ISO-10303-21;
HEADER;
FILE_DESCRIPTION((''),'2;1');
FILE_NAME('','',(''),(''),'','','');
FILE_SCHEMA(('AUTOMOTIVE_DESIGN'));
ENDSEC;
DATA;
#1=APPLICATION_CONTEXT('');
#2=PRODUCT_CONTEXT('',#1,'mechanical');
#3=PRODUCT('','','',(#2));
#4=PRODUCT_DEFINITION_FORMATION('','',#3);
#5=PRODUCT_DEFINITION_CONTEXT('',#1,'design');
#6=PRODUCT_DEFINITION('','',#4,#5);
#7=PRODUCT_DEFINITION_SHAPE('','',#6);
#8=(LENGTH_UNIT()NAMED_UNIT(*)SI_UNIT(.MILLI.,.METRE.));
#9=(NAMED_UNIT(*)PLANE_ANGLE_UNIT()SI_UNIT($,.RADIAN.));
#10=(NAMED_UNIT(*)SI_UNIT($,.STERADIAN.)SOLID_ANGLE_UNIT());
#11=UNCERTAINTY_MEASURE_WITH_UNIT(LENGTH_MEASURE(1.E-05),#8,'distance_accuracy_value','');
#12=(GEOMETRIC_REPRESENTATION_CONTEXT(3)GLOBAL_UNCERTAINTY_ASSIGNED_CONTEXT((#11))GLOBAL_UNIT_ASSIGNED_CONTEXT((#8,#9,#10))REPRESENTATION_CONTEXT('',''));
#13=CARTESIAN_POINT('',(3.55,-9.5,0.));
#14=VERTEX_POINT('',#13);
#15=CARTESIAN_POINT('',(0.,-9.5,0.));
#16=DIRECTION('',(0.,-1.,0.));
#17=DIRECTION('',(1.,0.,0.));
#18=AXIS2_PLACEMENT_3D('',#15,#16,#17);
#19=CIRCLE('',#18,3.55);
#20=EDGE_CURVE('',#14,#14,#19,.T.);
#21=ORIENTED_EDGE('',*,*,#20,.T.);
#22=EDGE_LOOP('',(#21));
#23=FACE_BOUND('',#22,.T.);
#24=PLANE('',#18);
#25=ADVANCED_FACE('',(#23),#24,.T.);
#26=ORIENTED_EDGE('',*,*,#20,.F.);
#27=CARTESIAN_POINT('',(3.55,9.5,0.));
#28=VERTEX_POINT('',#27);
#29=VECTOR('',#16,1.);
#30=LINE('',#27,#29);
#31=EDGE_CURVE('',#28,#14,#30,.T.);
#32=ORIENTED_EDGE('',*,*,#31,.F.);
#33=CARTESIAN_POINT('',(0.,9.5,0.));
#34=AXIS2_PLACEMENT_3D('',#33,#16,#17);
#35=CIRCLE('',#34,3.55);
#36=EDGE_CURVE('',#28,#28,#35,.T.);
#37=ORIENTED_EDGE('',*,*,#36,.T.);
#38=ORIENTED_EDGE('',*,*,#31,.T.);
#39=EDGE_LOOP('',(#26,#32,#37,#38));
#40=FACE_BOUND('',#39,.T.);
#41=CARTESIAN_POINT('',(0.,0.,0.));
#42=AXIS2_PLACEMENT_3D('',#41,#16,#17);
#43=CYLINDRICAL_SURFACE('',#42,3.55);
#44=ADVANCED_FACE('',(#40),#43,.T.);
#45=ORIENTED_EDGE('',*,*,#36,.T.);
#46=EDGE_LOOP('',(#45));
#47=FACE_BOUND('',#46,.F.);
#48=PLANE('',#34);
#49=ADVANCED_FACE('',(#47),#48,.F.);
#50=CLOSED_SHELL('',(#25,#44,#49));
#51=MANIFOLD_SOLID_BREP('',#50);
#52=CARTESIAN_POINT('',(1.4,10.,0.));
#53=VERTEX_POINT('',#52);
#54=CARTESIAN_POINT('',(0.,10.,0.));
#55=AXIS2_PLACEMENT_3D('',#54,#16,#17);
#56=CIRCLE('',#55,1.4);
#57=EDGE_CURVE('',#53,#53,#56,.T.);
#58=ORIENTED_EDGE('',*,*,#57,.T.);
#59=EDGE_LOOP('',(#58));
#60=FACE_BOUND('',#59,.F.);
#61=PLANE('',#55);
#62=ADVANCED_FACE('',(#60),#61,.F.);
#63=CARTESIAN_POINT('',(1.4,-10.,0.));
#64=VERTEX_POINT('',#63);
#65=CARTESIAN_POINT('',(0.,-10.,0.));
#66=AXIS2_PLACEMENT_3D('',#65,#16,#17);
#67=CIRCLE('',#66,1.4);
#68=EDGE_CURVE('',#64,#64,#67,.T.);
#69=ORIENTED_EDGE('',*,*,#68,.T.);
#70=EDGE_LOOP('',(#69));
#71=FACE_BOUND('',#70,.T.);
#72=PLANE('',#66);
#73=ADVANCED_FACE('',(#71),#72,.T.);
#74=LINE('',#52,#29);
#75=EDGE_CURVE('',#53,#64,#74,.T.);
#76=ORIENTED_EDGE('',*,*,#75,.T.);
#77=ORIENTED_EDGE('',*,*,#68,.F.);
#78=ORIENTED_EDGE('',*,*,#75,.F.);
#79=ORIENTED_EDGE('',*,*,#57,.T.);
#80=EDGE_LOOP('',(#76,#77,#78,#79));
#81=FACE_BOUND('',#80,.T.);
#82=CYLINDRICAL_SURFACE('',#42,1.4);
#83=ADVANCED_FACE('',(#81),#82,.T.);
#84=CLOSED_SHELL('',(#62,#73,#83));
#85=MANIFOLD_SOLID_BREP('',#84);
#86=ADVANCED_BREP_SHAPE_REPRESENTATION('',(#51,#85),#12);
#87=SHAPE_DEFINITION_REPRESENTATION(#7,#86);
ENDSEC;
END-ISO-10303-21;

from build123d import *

# Parameters (mm, degrees)
F0_R     = 3.55
F1_DEPTH = 9.5
F2_R     = 1.4
F3_DEPTH = 10
F4_W     = 10
F4_H     = 10
F5_DEPTH = 10


with BuildPart() as f1:
    # F0 (on Front) → F1 (new body, symmetric)
    with BuildSketch(Plane.XZ):
        Circle(F0_R)
    extrude(amount=F1_DEPTH, both=True)


with BuildPart() as f3:
    # F2 (on Front) → F3 (new body, symmetric)
    with BuildSketch(Plane.XZ):
        Circle(F2_R)
    extrude(amount=F3_DEPTH, both=True)


with BuildPart() as f5:
    # F4 (on Front) → F5 (new body)
    with BuildSketch(Plane.XZ):
        with Locations((5, 5)):
            Rectangle(F4_W, F4_H)
    extrude(amount=F5_DEPTH)


solid = Compound([f1.part, f3.part])
